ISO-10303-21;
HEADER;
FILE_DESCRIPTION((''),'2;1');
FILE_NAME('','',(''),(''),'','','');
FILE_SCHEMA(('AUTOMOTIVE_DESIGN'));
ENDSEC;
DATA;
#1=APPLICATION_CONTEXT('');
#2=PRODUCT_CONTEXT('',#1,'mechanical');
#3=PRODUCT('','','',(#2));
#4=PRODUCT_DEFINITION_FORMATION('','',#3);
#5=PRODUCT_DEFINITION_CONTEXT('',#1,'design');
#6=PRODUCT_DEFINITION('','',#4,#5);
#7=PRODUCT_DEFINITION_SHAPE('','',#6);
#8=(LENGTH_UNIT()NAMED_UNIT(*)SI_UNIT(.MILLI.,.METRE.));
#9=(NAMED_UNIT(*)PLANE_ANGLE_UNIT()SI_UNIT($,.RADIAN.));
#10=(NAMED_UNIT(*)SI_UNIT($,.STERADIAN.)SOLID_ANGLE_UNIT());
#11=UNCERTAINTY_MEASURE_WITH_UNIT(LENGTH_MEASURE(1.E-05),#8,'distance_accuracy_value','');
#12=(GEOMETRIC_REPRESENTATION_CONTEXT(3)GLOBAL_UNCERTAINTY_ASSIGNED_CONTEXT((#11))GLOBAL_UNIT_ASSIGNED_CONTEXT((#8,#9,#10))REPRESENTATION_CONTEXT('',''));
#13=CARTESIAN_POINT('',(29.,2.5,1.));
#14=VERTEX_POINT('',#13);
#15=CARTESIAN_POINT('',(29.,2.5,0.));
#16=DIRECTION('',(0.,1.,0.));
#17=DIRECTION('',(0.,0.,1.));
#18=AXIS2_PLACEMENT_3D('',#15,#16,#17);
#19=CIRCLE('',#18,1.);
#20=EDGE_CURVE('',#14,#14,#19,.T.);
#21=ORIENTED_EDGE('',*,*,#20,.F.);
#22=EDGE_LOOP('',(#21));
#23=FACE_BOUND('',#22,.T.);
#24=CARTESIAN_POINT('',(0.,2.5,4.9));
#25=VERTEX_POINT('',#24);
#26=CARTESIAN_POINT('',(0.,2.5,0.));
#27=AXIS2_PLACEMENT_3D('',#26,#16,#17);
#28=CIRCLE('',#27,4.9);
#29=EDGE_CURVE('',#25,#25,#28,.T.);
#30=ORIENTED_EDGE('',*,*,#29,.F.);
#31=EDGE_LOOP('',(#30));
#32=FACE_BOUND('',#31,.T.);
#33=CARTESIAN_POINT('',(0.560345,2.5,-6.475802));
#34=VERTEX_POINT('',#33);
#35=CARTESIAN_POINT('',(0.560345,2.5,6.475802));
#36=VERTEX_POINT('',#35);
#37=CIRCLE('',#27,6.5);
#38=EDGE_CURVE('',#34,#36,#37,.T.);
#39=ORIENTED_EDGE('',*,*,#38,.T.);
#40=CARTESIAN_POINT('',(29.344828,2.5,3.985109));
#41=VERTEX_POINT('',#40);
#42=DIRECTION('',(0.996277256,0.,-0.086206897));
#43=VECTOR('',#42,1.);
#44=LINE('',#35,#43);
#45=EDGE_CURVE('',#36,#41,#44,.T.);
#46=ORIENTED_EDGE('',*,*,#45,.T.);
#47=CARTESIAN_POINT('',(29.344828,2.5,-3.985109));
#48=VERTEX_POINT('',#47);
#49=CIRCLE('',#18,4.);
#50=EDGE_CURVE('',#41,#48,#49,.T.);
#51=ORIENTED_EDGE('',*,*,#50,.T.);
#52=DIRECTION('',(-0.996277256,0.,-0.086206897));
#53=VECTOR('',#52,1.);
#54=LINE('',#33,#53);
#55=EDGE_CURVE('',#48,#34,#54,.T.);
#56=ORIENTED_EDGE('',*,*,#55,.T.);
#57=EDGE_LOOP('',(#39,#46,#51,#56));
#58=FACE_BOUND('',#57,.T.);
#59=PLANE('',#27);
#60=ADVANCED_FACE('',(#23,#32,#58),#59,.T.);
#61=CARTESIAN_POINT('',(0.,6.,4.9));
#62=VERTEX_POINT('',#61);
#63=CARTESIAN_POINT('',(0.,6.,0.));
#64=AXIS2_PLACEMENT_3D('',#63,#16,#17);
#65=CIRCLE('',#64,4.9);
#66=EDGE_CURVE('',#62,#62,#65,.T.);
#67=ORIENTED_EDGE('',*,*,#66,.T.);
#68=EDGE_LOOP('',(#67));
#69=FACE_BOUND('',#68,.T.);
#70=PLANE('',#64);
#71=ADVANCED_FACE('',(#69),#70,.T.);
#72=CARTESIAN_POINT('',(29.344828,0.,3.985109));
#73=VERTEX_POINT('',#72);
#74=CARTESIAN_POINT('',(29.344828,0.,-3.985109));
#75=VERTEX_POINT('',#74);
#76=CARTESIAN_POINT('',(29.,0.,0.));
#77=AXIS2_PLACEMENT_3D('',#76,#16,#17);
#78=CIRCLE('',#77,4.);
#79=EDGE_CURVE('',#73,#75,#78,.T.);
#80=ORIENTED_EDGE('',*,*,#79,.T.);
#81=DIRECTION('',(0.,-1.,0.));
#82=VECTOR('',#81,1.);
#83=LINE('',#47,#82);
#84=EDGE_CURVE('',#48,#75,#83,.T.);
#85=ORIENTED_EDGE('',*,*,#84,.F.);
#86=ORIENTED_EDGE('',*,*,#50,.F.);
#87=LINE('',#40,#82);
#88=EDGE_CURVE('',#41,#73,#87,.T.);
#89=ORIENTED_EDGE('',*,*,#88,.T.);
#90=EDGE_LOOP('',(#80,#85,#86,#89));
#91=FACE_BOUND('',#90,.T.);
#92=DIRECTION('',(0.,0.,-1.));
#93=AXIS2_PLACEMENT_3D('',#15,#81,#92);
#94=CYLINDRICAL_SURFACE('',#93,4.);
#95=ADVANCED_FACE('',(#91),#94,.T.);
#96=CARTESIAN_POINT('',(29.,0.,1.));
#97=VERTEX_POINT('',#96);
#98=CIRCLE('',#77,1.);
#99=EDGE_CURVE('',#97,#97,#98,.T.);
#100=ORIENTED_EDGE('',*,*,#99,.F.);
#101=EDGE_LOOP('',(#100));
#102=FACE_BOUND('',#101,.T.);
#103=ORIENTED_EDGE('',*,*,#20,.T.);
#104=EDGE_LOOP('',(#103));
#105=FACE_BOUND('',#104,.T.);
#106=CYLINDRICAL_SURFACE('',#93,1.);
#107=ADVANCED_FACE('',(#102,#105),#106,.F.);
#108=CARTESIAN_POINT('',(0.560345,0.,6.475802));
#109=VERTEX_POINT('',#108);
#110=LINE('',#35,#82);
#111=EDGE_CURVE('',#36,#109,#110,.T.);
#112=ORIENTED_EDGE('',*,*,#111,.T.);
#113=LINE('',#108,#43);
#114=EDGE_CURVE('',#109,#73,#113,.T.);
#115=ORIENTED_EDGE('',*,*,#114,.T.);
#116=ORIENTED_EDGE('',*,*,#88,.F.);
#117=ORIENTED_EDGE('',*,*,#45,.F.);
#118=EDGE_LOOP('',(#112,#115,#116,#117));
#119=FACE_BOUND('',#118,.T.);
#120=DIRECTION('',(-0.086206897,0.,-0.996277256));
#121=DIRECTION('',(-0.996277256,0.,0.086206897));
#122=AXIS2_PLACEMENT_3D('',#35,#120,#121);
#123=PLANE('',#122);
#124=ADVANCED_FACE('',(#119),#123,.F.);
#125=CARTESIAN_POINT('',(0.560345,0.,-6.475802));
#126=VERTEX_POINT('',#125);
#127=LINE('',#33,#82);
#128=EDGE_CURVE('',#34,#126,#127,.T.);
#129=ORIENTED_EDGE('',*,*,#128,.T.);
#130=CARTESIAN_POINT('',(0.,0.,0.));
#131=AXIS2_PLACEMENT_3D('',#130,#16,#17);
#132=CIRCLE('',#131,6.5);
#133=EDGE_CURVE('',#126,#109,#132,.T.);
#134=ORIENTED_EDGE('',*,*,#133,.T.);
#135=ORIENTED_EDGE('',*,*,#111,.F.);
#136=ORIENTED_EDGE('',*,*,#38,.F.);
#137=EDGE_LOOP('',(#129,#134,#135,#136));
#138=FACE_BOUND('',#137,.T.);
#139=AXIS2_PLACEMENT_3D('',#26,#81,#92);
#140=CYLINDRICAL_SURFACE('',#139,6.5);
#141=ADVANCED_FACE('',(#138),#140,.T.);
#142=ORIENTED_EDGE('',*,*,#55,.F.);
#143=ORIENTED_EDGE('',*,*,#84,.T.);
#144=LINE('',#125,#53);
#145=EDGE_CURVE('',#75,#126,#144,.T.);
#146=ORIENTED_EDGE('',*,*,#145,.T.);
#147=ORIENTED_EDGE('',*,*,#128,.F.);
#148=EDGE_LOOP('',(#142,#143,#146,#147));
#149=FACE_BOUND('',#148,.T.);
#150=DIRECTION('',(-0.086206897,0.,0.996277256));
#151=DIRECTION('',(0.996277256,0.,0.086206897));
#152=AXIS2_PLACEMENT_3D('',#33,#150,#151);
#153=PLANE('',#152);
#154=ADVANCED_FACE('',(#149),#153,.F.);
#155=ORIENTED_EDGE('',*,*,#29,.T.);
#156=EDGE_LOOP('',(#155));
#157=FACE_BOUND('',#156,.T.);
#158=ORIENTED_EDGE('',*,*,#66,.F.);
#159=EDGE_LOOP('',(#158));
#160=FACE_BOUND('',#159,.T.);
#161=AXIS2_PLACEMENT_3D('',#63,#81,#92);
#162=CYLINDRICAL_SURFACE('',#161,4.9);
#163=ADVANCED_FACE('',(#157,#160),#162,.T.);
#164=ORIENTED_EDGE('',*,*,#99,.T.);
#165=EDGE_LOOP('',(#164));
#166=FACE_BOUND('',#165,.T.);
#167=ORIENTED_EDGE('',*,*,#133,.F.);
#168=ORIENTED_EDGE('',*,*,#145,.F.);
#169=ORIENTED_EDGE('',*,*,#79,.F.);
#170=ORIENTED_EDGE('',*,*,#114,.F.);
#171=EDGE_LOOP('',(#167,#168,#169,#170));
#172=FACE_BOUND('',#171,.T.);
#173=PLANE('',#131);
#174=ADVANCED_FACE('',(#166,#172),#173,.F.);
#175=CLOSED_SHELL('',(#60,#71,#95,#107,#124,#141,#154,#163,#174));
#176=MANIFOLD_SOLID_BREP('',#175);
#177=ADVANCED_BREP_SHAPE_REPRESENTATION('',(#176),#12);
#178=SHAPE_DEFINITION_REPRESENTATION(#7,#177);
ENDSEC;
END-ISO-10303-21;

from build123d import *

# Parameters (mm, degrees)
SKETCH1_R           = 1
BOSS_EXTRUDE1_DEPTH = 2.5
SKETCH2_R           = 4.9
BOSS_EXTRUDE2_DEPTH = 3.5


with BuildPart() as part:
    # Sketch1 → Boss-Extrude1 (new body)
    with BuildSketch(Plane(origin=(0, 0, 0), x_dir=(1, 0, 0), z_dir=(0, 1, 0))):
        with BuildLine():
            Line((0.560344828, 6.475802165), (29.344827586, 3.985109024))
            ThreePointArc((29.344827586, 3.985109024), (33, 0), (29.344827586, -3.985109024))
            Line((29.344827586, -3.985109024), (0.560344828, -6.475802165))
            ThreePointArc((0.560344828, -6.475802165), (-6.5, 0), (0.560344828, 6.475802165))
        make_face()
        with Locations(Location((29, 0, 0), (0, 0, 270))):
            Circle(SKETCH1_R, mode=Mode.SUBTRACT)
    extrude(amount=BOSS_EXTRUDE1_DEPTH)

    # Sketch2 → Boss-Extrude2 (add)
    with BuildSketch(Plane(origin=(0, 2.5, 0), x_dir=(1, 0, 0), z_dir=(0, 1, 0))):
        with Locations(Location((0, 0, 0), (0, 0, 270))):
            Circle(SKETCH2_R)
    extrude(amount=BOSS_EXTRUDE2_DEPTH)


solid = part.part
